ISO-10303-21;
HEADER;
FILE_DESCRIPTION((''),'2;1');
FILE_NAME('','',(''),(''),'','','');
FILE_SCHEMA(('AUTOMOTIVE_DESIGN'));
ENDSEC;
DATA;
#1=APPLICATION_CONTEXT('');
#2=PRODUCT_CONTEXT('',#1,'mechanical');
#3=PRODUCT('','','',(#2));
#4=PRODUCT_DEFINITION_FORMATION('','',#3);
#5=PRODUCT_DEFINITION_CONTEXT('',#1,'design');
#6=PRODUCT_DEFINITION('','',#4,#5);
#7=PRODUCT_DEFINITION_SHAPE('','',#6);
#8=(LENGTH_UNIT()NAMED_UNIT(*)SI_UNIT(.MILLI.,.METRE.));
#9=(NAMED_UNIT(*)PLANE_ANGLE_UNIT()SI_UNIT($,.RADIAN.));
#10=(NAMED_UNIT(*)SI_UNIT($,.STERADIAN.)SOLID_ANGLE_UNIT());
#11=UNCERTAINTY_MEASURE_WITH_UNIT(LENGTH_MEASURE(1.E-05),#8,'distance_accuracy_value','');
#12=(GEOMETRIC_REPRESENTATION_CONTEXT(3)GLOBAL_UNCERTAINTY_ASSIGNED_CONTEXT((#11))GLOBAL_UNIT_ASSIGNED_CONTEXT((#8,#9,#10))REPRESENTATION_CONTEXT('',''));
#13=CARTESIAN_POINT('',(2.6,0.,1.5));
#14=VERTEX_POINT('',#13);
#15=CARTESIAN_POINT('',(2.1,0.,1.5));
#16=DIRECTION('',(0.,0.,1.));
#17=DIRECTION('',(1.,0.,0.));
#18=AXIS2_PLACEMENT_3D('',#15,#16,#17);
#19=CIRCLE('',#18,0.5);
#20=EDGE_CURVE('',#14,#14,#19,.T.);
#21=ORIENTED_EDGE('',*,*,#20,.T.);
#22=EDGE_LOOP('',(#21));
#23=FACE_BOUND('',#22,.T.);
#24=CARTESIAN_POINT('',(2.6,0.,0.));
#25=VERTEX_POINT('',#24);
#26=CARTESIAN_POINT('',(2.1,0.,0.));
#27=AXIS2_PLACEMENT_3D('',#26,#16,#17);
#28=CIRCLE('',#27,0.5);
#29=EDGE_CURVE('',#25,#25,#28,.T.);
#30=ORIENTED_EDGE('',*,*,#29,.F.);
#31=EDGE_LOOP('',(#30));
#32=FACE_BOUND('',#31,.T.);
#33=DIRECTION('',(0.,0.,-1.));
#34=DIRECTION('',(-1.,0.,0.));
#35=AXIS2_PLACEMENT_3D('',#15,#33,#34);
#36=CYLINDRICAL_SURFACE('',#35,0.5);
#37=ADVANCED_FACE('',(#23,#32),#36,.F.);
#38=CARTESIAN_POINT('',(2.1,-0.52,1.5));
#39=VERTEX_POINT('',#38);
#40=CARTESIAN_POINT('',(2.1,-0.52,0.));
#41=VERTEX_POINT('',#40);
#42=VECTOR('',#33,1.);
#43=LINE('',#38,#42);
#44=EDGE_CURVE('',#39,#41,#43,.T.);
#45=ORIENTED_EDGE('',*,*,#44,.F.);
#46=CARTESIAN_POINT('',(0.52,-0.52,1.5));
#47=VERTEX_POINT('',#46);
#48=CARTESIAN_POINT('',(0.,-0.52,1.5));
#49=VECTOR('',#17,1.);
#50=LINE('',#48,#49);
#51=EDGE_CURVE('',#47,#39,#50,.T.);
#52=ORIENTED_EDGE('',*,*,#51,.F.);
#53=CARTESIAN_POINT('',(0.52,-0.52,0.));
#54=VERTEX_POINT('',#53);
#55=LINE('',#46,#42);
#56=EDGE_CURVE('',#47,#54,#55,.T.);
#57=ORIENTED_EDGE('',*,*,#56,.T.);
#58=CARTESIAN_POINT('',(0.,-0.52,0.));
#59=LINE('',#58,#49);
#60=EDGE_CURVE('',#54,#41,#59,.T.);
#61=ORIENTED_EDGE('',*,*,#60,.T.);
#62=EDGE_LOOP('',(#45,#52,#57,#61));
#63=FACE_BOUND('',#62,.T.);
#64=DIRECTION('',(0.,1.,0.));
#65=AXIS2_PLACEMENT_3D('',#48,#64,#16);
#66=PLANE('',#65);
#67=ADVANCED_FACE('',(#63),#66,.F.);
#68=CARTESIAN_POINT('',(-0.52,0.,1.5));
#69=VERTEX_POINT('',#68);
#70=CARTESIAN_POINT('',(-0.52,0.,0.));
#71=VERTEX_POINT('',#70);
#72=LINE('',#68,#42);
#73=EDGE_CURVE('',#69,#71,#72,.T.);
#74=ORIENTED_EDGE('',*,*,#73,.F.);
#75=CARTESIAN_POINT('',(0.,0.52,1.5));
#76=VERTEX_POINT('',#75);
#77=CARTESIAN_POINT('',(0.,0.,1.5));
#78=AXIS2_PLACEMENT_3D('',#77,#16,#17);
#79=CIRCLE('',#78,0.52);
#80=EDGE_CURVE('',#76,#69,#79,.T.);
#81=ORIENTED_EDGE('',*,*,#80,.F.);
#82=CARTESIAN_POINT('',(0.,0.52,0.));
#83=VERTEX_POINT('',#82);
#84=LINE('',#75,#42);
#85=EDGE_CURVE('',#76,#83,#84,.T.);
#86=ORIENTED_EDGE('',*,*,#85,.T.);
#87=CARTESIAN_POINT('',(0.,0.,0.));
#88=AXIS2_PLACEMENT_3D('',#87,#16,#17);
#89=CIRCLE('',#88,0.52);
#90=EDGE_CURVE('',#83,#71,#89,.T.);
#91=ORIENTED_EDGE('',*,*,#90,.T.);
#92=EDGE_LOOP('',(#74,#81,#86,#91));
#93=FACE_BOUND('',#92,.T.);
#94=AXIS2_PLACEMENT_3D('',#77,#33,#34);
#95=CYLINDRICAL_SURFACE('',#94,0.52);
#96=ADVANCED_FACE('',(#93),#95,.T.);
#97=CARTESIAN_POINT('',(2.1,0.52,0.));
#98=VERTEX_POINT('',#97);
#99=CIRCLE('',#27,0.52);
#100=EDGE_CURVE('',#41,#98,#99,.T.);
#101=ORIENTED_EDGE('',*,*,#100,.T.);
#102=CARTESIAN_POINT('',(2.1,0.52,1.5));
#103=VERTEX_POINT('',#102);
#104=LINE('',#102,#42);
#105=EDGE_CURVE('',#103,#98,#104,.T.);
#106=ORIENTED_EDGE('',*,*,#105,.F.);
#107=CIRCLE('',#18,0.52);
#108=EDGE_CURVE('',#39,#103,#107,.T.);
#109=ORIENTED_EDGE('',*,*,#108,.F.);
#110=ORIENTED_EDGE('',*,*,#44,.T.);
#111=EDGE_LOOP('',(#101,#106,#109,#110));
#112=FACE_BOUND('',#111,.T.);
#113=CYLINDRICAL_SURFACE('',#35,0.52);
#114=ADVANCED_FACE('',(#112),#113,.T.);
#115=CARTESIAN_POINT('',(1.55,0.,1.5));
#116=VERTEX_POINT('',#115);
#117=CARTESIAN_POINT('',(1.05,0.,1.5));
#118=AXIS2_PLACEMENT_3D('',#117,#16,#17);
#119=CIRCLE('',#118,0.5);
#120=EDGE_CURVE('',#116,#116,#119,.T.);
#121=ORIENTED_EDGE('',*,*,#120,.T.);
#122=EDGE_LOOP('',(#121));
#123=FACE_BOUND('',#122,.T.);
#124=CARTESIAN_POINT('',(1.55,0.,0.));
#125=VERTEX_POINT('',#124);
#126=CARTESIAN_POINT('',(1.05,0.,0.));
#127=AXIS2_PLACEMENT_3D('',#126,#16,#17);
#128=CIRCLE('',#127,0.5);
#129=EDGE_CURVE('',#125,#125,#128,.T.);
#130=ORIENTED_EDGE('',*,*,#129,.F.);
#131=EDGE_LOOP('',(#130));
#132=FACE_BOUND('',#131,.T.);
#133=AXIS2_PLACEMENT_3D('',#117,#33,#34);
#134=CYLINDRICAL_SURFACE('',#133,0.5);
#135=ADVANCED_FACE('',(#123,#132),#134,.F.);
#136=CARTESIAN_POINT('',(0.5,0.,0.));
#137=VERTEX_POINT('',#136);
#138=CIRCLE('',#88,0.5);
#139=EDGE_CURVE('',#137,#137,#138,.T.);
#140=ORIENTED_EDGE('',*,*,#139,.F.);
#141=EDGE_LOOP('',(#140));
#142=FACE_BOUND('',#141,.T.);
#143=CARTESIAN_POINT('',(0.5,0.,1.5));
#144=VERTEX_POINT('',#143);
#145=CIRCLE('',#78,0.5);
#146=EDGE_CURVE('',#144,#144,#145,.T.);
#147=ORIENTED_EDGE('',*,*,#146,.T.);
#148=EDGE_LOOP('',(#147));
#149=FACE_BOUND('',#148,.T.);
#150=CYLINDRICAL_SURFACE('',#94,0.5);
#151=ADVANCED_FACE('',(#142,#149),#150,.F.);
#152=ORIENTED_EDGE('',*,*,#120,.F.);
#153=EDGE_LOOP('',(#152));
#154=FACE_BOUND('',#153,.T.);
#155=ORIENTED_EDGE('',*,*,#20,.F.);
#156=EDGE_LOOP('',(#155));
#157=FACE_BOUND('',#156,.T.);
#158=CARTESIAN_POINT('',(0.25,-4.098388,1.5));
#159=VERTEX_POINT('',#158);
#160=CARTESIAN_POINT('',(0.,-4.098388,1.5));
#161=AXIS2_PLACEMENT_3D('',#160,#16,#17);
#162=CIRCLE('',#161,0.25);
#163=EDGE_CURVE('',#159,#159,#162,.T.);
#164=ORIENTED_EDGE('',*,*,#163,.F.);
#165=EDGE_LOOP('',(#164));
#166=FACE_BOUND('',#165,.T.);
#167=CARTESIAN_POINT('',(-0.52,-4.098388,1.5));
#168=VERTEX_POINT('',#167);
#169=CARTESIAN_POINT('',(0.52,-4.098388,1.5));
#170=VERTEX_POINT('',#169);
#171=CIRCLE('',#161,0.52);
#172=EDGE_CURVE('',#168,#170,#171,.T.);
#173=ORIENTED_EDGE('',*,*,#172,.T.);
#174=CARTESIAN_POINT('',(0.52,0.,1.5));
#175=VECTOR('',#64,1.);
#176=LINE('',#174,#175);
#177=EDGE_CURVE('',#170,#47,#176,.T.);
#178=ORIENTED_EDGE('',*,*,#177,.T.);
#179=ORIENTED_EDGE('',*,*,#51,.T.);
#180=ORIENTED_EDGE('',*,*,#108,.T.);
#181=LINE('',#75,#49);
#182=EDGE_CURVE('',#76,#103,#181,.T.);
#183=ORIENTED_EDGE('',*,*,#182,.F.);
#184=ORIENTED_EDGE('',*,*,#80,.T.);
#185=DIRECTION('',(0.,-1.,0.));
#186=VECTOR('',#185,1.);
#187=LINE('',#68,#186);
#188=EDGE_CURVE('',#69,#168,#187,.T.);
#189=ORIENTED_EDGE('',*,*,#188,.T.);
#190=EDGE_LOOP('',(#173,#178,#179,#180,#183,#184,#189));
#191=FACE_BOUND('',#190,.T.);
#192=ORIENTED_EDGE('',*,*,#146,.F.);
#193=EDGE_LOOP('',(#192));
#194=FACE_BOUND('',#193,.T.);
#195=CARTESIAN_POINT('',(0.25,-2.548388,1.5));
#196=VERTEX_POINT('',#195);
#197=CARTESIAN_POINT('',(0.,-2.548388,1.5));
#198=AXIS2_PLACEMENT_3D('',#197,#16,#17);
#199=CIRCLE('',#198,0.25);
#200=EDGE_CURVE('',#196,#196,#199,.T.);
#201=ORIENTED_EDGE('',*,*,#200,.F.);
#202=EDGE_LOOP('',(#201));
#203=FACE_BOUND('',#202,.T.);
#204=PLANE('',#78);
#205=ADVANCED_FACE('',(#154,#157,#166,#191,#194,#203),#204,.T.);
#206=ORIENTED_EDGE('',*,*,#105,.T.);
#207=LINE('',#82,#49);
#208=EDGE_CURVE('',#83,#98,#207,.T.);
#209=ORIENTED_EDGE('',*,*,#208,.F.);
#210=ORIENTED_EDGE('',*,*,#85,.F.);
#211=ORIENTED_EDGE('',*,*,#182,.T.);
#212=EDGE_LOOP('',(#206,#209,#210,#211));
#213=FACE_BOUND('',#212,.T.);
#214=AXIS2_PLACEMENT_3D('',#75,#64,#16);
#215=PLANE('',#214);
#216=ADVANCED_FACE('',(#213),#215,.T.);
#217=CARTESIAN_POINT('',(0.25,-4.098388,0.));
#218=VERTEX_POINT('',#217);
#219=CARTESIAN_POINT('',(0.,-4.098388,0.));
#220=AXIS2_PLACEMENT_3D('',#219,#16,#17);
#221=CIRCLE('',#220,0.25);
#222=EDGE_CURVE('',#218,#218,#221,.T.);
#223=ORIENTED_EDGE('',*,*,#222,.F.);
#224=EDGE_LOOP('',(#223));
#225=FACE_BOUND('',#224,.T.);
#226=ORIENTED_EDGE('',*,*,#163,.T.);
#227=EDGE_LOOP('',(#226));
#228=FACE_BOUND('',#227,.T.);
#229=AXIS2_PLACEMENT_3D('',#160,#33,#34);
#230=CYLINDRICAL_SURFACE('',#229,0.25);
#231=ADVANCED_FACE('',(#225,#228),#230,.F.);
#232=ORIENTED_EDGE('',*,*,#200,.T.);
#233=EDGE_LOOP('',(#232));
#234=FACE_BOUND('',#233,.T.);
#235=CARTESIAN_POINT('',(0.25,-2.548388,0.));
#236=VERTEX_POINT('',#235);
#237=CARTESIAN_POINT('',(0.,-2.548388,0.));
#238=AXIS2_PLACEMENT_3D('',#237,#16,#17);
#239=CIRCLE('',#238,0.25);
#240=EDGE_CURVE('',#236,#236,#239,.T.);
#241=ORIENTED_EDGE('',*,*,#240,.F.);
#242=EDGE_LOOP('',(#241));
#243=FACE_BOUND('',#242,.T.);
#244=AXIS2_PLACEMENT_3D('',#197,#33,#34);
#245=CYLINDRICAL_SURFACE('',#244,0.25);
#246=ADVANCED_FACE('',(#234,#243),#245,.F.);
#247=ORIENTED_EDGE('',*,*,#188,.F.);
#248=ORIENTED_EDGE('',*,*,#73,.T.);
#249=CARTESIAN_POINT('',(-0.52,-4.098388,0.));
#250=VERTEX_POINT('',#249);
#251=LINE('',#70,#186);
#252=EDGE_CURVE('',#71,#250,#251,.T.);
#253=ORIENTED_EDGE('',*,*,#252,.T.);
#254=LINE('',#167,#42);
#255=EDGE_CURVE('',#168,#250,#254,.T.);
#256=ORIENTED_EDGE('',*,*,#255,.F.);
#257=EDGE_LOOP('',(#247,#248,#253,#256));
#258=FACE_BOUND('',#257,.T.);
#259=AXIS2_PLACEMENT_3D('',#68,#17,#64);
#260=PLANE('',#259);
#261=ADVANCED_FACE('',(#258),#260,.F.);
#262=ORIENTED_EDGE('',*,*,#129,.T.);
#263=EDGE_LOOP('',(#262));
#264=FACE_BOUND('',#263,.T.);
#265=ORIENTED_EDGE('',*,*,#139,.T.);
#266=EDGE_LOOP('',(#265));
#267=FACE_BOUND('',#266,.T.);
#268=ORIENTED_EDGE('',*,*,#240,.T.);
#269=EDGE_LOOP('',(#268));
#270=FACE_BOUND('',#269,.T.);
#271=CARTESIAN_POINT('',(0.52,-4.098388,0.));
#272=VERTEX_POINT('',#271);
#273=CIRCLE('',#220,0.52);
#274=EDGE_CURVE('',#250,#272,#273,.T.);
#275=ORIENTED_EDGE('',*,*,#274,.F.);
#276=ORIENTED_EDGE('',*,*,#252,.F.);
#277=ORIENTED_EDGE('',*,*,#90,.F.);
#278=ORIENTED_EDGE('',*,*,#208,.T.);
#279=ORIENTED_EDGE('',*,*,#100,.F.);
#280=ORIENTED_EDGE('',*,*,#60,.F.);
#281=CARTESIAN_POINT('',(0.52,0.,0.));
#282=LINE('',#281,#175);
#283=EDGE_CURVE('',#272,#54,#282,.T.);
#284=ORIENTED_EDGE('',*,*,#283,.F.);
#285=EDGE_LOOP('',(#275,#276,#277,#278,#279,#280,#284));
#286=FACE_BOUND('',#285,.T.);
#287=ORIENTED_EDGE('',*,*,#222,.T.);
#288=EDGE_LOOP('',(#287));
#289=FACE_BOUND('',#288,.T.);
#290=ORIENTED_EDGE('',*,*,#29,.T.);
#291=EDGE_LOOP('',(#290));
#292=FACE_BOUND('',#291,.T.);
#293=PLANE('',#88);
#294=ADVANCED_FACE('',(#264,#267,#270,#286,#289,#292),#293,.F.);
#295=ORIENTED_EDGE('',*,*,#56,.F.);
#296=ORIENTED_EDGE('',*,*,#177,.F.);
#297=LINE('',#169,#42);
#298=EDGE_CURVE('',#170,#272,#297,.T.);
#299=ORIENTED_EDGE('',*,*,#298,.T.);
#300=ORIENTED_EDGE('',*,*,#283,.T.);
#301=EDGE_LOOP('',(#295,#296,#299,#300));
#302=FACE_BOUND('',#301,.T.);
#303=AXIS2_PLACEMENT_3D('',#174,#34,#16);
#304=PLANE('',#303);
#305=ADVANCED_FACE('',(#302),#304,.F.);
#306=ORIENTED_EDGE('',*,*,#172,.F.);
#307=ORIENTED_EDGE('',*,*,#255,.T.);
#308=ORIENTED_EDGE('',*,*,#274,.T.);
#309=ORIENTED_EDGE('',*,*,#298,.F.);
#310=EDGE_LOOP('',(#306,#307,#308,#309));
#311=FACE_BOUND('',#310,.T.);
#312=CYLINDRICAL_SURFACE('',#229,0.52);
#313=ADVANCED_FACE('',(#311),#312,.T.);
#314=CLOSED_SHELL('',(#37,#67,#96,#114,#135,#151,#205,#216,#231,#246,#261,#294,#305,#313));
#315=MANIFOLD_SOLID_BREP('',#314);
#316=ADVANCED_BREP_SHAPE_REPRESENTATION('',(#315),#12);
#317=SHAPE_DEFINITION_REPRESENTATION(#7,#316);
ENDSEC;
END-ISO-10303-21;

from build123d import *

# Parameters (mm, degrees)
SKETCH1_R           = 0.52
SKETCH1_R_2         = 0.5
SKETCH1_R_3         = 0.25
BOSS_EXTRUDE1_DEPTH = 1.5


with BuildPart() as part:
    # Sketch1 → Boss-Extrude1 (new body)
    # profile 1 of 8: a face of its own
    with BuildSketch(Plane.XY):
        with BuildLine():
            ThreePointArc((0.52, 0), (0, -0.52), (-0.52, 0))
            Line((-0.52, 0), (-0.52, -2.548388303))
            ThreePointArc((-0.52, -2.548388303), (0, -2.028388303), (0.52, -2.548388303))
            Line((0.52, -2.548388303), (0.52, -0.52))
            Line((0.52, -0.52), (1.05, -0.52))
            ThreePointArc((1.05, -0.52), (0.53, 0), (1.05, 0.52))
            Line((1.05, 0.52), (0, 0.52))
            ThreePointArc((0, 0.52), (0.367695526, 0.367695526), (0.52, 0))
        make_face()
    # profile 2 of 8: a face of its own
    with BuildSketch(Plane.XY):
        with BuildLine():
            Line((2.1, 0.52), (1.05, 0.52))
            ThreePointArc((1.05, 0.52), (1.417695526, 0.367695526), (1.57, 0))
            ThreePointArc((1.57, 0), (1.417695526, -0.367695526), (1.05, -0.52))
            Line((1.05, -0.52), (2.1, -0.52))
            ThreePointArc((2.1, -0.52), (1.58, 0), (2.1, 0.52))
        make_face()
    # profile 3 of 8: a face of its own
    with BuildSketch(Plane.XY):
        with Locations((2.1, 0)):
            Circle(SKETCH1_R)
        with Locations((2.1, 0)):
            Circle(SKETCH1_R_2, mode=Mode.SUBTRACT)
    # profile 4 of 8: a face of its own
    with BuildSketch(Plane.XY):
        Circle(SKETCH1_R)
        Circle(SKETCH1_R_2, mode=Mode.SUBTRACT)
    # profile 5 of 8: a face of its own
    with BuildSketch(Plane.XY):
        with Locations((1.05, 0)):
            Circle(SKETCH1_R)
        with Locations((1.05, 0)):
            Circle(SKETCH1_R_2, mode=Mode.SUBTRACT)
    # profile 6 of 8: a face of its own
    with BuildSketch(Plane.XY):
        with BuildLine():
            ThreePointArc((0.52, -2.548388303), (0, -3.068388303), (-0.52, -2.548388303))
            Line((-0.52, -2.548388303), (-0.52, -4.098388303))
            ThreePointArc((-0.52, -4.098388303), (0, -3.578388303), (0.52, -4.098388303))
            Line((0.52, -4.098388303), (0.52, -2.548388303))
        make_face()
    # profile 7 of 8: a face of its own
    with BuildSketch(Plane.XY):
        with Locations((0, -2.548388303)):
            Circle(SKETCH1_R)
        with Locations((0, -2.548388303)):
            Circle(SKETCH1_R_3, mode=Mode.SUBTRACT)
    # profile 8 of 8: a face of its own
    with BuildSketch(Plane.XY):
        with Locations((0, -4.098388303)):
            Circle(SKETCH1_R)
        with Locations((0, -4.098388303)):
            Circle(SKETCH1_R_3, mode=Mode.SUBTRACT)
    extrude(amount=BOSS_EXTRUDE1_DEPTH)


solid = part.part
